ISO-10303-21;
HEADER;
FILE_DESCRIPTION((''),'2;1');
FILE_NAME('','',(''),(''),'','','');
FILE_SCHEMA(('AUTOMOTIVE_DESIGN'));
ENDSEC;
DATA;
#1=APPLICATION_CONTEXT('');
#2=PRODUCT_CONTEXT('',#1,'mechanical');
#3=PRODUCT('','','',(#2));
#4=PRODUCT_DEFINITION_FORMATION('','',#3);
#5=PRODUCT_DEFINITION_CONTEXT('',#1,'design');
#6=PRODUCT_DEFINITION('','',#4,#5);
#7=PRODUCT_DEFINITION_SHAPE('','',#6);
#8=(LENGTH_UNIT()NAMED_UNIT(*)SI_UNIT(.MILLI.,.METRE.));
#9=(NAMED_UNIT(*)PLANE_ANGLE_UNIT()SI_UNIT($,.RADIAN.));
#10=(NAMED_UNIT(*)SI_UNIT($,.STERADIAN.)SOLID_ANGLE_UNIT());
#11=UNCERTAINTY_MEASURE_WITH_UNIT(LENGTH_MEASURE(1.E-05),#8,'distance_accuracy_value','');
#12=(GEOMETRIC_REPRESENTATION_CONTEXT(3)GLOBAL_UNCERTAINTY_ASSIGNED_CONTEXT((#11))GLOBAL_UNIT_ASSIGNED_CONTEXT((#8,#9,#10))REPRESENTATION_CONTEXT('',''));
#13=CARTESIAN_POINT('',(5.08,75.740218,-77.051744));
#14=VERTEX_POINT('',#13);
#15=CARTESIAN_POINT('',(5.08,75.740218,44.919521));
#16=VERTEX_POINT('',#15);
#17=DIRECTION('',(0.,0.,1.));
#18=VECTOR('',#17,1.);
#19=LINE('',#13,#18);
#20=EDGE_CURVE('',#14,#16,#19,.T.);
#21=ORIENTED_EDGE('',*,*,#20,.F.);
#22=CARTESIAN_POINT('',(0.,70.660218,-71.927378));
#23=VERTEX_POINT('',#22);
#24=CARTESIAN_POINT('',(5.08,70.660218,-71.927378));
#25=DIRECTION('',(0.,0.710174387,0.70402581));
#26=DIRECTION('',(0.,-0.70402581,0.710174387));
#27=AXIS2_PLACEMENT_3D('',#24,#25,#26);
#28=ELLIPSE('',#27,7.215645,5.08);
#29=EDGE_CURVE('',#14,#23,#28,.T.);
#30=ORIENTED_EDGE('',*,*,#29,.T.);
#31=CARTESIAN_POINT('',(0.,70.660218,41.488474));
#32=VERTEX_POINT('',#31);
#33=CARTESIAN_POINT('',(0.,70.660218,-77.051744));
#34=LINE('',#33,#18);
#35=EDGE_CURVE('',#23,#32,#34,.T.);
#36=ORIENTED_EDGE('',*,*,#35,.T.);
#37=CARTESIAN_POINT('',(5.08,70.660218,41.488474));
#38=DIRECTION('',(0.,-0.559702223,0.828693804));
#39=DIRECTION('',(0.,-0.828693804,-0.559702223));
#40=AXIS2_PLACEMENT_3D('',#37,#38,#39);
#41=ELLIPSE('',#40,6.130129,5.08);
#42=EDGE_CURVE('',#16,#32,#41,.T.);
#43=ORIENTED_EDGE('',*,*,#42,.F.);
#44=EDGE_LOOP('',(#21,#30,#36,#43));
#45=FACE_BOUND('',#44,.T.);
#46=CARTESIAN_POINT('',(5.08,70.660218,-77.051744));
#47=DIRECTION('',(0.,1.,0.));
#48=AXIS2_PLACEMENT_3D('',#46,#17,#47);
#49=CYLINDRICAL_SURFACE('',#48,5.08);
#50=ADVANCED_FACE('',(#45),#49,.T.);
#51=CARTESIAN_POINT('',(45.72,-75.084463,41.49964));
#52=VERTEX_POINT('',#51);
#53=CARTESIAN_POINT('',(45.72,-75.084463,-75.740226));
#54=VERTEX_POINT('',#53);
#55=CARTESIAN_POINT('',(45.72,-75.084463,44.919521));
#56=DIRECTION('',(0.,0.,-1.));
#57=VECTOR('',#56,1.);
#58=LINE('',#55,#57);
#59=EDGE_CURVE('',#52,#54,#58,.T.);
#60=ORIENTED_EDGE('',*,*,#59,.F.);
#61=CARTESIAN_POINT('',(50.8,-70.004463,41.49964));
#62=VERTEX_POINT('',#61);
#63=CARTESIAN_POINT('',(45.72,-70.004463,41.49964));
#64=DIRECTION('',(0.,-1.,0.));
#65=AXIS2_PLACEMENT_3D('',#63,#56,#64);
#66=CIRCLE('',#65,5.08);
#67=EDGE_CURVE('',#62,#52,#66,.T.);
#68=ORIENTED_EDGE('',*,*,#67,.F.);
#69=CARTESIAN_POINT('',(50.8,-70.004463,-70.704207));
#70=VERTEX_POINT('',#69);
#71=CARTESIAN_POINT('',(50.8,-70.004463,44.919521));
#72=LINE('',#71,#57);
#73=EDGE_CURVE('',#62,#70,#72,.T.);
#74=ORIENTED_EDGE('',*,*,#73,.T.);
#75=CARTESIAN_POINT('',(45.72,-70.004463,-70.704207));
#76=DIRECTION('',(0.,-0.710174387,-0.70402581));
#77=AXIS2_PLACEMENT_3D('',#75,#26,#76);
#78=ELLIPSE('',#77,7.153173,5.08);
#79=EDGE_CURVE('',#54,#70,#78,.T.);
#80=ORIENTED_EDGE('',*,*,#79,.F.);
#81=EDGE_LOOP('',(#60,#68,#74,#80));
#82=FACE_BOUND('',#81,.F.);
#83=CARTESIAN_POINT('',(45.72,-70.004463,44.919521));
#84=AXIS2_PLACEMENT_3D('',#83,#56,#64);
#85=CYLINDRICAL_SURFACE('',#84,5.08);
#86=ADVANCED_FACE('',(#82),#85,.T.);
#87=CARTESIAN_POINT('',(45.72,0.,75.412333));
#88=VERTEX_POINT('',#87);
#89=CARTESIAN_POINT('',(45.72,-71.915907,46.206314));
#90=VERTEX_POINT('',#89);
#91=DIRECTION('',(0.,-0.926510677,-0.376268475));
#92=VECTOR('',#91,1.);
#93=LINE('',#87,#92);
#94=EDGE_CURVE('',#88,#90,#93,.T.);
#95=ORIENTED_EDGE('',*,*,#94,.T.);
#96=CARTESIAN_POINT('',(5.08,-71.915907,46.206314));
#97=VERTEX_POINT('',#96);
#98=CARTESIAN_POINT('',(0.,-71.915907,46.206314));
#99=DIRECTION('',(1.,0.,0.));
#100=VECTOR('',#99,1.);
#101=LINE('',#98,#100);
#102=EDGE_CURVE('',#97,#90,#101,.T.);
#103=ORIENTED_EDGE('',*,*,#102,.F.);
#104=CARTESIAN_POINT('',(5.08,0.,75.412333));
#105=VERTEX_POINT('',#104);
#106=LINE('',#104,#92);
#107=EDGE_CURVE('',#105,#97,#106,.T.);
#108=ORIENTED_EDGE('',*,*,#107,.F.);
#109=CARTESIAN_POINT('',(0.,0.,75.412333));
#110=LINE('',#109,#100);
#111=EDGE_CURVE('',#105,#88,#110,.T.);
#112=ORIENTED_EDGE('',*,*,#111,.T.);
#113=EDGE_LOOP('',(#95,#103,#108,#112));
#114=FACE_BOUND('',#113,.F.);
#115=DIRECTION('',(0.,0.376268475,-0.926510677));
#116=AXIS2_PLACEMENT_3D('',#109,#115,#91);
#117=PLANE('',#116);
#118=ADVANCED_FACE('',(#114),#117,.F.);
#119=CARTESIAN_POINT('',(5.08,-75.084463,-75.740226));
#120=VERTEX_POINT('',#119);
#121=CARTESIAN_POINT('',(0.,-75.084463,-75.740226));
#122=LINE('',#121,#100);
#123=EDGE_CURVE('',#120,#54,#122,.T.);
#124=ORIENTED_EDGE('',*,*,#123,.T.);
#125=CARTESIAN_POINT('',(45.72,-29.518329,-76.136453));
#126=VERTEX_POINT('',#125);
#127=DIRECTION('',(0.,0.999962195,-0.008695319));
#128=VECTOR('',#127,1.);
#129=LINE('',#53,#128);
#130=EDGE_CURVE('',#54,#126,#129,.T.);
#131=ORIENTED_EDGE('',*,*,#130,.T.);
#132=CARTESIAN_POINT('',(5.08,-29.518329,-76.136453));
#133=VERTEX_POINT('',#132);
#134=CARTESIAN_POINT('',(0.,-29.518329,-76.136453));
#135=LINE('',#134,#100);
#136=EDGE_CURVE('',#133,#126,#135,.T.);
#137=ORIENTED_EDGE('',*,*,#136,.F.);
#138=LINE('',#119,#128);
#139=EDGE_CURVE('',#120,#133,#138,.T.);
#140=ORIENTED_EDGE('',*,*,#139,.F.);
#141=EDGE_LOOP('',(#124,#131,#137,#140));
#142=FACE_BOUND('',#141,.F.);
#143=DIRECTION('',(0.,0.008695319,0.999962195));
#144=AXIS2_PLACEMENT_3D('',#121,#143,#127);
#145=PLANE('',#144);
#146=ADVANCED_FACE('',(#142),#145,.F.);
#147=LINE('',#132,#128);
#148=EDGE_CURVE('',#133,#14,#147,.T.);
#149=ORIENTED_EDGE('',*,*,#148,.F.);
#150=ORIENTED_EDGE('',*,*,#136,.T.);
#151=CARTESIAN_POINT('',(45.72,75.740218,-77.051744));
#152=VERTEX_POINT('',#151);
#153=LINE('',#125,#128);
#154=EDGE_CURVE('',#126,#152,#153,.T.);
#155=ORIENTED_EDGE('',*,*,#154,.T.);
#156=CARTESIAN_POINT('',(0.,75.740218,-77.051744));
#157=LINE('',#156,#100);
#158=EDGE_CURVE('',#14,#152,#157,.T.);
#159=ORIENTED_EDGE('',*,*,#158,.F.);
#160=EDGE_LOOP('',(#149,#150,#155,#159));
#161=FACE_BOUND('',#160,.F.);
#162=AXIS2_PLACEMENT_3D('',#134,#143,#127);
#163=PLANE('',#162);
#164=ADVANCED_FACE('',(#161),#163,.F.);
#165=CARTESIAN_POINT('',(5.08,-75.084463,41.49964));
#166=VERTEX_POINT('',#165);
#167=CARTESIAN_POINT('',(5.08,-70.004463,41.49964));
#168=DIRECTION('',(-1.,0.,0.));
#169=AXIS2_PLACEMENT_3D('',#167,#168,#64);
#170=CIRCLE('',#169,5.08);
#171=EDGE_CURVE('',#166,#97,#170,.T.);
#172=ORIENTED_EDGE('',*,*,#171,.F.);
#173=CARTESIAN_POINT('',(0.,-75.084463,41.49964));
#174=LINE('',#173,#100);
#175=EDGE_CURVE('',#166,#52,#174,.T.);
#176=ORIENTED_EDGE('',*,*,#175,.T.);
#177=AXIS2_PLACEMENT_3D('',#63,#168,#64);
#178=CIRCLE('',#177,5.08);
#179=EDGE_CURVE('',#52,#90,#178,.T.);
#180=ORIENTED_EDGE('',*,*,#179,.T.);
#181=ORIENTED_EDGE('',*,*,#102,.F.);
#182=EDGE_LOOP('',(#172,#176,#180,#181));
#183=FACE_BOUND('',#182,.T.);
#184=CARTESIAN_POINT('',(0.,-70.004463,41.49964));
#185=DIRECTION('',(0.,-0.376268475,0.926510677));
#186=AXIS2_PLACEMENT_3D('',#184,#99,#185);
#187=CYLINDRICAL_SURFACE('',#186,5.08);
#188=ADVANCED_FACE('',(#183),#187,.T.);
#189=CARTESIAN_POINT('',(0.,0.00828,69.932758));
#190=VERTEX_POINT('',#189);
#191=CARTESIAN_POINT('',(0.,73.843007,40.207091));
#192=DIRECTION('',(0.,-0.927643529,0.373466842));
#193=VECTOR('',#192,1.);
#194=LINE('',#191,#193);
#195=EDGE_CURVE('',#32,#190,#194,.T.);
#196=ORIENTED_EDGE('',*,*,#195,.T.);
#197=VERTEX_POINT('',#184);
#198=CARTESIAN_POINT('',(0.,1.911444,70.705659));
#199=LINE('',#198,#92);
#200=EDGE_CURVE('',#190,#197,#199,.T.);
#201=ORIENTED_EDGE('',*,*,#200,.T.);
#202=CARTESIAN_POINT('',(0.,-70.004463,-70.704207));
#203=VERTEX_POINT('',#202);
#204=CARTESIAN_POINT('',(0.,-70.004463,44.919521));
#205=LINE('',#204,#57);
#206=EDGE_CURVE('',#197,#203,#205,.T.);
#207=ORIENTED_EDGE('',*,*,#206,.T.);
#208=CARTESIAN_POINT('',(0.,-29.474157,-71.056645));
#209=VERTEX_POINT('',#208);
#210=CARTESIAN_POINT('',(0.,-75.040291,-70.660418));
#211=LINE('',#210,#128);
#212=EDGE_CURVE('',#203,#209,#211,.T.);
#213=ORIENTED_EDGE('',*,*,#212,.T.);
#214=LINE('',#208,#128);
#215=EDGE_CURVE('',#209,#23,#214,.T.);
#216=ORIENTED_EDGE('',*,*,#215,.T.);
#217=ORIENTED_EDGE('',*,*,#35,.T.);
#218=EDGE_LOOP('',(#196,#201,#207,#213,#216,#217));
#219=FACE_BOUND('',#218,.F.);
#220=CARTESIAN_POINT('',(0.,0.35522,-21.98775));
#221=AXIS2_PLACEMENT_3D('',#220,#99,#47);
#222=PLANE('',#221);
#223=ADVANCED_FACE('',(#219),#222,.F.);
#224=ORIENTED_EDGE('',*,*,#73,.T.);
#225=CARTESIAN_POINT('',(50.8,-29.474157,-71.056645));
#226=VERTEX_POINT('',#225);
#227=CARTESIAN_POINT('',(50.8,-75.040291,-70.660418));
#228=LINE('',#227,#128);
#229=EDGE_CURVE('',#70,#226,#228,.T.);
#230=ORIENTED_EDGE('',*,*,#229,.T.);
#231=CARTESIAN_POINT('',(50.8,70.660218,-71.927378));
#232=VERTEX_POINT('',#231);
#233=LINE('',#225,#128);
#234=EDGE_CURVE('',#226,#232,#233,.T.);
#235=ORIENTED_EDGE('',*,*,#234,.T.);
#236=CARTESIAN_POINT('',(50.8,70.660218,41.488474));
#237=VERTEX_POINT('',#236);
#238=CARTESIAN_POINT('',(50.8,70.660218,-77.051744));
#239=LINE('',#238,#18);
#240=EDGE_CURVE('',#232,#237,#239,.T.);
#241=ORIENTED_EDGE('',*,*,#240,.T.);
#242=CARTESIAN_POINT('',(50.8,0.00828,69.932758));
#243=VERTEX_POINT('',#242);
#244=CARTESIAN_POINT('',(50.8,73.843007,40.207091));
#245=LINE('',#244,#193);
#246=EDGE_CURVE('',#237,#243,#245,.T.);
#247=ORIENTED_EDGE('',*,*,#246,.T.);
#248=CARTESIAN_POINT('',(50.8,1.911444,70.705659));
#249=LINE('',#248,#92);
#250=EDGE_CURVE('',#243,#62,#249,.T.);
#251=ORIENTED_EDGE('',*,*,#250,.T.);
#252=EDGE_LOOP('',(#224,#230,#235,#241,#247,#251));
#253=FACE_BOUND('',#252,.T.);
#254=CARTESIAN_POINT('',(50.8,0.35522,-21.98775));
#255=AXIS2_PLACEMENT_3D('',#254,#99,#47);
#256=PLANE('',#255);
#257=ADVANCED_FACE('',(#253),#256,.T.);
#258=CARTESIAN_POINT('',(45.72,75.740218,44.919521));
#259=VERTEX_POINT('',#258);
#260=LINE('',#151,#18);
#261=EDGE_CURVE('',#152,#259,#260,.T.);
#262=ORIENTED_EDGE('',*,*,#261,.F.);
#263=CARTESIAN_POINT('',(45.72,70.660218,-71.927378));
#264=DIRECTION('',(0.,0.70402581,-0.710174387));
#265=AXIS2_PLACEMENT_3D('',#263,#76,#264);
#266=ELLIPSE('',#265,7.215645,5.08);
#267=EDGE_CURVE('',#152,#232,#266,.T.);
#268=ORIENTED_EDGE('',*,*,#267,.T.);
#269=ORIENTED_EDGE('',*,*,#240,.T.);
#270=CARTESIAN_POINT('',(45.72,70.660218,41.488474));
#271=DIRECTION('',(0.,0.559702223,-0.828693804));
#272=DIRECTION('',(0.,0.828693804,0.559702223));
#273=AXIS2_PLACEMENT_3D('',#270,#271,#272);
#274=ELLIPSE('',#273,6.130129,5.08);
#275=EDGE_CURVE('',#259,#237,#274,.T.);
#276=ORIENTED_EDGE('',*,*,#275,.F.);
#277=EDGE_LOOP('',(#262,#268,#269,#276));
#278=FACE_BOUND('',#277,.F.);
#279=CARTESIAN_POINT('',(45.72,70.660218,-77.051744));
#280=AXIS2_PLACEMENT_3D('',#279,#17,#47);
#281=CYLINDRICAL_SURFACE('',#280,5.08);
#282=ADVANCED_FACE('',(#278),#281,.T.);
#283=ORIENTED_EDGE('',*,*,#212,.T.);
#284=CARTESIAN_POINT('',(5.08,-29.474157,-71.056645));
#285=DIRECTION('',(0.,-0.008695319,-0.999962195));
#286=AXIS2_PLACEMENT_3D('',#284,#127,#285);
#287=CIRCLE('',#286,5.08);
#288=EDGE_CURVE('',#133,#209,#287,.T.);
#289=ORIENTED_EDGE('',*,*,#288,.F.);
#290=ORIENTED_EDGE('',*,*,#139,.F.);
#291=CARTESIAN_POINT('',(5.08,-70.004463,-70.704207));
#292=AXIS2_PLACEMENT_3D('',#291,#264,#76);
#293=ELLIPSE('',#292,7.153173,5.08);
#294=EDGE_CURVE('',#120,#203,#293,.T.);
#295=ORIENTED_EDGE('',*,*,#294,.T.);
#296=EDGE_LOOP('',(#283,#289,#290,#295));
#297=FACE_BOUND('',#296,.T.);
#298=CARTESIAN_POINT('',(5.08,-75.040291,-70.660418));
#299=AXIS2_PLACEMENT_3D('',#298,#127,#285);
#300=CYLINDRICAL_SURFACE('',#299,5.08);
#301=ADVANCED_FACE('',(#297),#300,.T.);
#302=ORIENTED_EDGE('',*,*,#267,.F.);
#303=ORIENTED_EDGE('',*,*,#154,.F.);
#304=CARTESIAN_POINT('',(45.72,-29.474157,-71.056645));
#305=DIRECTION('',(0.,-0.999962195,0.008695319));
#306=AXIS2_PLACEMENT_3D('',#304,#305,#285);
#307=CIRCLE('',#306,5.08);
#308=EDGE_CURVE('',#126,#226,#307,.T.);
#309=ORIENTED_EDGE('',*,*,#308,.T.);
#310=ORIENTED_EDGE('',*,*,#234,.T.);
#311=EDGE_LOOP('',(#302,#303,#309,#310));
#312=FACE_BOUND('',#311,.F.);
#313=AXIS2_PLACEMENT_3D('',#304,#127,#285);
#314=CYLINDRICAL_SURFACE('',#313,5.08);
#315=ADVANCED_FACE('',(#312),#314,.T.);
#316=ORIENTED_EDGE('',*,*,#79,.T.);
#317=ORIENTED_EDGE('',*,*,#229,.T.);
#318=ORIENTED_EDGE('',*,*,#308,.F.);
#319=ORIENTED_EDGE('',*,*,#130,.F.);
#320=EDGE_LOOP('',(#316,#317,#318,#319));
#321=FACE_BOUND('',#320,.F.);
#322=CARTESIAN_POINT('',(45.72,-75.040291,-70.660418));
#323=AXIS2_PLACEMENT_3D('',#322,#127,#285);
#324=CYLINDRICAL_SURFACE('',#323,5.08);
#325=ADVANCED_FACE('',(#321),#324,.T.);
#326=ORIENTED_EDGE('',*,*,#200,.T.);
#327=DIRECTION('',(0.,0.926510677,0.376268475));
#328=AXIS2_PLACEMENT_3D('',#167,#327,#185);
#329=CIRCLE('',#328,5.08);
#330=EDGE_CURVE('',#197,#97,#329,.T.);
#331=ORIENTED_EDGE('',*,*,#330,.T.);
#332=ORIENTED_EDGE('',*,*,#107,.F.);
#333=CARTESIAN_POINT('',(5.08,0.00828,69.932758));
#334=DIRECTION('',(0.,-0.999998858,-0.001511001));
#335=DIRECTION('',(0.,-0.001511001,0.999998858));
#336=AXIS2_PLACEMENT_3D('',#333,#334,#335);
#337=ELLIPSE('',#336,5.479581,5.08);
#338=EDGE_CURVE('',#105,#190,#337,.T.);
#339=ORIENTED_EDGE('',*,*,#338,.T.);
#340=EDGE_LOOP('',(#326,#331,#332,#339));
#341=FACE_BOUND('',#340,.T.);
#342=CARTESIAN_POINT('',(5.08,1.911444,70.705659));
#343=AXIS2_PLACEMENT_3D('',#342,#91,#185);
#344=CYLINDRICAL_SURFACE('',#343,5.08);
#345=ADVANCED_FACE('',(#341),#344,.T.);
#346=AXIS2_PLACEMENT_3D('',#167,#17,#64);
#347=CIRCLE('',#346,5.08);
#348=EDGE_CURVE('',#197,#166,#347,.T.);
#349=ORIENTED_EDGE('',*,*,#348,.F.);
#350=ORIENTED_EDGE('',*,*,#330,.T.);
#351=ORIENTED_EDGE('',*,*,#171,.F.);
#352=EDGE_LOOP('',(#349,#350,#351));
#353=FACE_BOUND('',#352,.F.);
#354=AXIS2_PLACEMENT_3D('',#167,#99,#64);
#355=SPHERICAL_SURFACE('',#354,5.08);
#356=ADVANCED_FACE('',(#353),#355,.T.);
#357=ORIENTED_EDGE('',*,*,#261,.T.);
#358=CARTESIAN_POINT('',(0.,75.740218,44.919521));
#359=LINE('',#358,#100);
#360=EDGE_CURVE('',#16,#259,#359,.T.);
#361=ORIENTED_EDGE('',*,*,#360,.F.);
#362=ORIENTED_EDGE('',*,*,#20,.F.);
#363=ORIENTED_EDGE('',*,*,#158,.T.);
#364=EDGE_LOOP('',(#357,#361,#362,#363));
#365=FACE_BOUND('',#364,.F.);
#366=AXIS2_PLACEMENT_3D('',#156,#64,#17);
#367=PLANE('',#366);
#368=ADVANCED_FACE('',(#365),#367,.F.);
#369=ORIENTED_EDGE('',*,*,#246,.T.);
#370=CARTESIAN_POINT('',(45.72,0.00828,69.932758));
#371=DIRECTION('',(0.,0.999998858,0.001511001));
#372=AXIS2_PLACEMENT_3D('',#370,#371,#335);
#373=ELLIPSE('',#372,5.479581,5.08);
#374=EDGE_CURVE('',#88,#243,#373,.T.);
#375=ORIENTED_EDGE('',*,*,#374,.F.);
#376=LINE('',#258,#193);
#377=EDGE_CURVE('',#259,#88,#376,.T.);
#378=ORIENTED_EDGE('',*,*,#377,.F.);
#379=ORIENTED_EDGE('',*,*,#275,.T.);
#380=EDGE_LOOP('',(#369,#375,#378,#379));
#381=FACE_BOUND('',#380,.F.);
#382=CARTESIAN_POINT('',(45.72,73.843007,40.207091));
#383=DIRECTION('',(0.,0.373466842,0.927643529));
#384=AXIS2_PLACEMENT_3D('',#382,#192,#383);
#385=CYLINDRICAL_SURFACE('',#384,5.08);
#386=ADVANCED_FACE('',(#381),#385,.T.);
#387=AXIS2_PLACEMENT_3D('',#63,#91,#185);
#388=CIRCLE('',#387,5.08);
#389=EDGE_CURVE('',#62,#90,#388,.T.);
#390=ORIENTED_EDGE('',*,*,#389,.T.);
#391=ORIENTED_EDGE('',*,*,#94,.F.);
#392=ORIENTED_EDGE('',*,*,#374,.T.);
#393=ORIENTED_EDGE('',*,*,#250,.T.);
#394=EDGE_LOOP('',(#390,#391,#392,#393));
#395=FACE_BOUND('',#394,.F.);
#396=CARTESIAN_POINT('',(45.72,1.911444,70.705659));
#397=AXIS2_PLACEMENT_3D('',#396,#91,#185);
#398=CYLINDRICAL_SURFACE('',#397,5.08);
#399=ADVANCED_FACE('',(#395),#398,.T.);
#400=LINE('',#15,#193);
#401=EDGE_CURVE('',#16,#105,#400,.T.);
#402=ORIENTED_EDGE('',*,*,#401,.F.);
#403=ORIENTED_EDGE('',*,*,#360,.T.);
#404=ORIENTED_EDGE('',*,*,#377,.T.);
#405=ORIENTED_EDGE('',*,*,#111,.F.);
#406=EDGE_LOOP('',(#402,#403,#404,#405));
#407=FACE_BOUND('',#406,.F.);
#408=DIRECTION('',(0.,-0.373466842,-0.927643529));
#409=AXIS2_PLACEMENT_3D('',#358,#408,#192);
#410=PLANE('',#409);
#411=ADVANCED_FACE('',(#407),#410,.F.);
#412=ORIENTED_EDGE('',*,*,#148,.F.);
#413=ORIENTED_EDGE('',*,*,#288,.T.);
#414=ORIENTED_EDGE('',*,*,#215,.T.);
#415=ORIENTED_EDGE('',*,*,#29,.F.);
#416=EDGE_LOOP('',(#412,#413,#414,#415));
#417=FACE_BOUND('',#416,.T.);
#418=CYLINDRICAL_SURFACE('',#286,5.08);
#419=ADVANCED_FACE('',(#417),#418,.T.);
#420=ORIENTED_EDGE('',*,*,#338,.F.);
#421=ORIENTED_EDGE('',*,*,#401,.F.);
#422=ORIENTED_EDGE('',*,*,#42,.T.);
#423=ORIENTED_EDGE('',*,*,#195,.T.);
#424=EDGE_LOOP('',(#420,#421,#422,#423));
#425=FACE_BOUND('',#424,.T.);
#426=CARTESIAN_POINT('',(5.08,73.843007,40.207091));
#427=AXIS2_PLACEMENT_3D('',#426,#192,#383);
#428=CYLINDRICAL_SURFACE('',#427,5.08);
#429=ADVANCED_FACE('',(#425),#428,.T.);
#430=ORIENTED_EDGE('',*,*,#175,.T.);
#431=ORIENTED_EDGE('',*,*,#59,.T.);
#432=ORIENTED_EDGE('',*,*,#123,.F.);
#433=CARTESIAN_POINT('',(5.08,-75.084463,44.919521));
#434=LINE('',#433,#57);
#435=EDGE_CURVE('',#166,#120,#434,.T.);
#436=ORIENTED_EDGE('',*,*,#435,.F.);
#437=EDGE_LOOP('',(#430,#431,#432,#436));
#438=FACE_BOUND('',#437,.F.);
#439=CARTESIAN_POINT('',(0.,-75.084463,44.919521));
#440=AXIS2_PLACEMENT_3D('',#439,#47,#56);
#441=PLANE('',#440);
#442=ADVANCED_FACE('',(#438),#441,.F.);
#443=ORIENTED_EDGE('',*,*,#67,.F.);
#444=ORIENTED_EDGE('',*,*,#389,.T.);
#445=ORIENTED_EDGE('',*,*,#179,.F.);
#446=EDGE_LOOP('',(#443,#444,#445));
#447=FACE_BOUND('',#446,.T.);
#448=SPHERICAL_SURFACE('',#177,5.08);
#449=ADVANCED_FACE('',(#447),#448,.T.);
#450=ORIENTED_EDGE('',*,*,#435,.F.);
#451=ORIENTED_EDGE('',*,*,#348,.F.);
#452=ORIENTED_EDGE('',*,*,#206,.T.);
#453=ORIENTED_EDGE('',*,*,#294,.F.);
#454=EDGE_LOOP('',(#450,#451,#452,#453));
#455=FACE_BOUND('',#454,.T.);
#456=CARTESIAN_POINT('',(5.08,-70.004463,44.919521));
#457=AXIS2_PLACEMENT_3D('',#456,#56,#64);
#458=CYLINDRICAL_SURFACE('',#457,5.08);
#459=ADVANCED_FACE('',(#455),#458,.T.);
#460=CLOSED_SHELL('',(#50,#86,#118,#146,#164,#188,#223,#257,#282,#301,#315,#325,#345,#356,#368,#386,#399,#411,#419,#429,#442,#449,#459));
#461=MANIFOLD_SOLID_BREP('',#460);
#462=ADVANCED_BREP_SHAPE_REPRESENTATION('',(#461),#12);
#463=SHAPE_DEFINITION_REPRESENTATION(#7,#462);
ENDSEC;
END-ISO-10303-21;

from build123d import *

# Parameters (mm, degrees)
F0_W     = 13.1108500377
F0_H     = 9.5085129142
F1_DEPTH = 50.8
F2_R     = 5.08


with BuildPart() as f1:
    # F0 (on Right) → F1 (new body)
    with BuildSketch(Plane.YZ):
        Polygon((-75.0844627619, 8.5248695686), (-75.0844627619, -75.7402256131), (-29.5183288899, -76.1364526489), (75.7402181625, -77.051743865), (75.7402181625, 8.5248695686), (51.8028265953, 8.5248695686), (27.8654350281, 8.5248695686), (27.8654350281, 26.7221950926), (27.8654350281, 44.9195206165), (-29.5183288899, 44.9195206165), (-29.5183288899, 37.7061665058), (-29.5183288899, 27.2140149027), (-29.5183288899, 8.5248695686), (-52.3013958259, 8.5248695686), align=None)
        Polygon((0, -33.7004187564), (-29.5183288899, -33.4437377751), (-29.5183288899, -16.7218707502), (-29.5183288899, 0), (0, -0.2566809813), (27.8654350281, -0.4989889803), (27.8654350281, -17.2208597305), (27.8654350281, -33.9427267554), align=None, mode=Mode.SUBTRACT)
        with Locations((21.3100100093, -51.3131842017)):
            Rectangle(F0_W, F0_H, mode=Mode.SUBTRACT)
        Polygon((0, 75.4123330116), (-75.0844627619, 44.9195206165), (-54.7559186816, 44.9195206165), (-29.5183288899, 44.9195206165), (27.8654350281, 44.9195206165), (51.149237901, 44.9195206165), (75.7402181625, 44.9195206165), align=None)
        Polygon((-29.5183288899, -16.7218707502), (-29.5183288899, -33.4437377751), (0, -33.7004187564), (0, -16.9785517315), align=None)
        Polygon((-29.5183288899, 0), (-29.5183288899, -16.7218707502), (0, -16.9785517315), (0, -0.2566809813), align=None)
        Polygon((-53.5618264951, 27.2140149027), (-52.3013958259, 8.5248695686), (-29.5183288899, 8.5248695686), (-29.5183288899, 27.2140149027), align=None)
        Polygon((-54.7559186816, 44.9195206165), (-53.5618264951, 27.2140149027), (-29.5183288899, 27.2140149027), (-29.5183288899, 37.7061665058), (-29.5183288899, 44.9195206165), align=None)
        Polygon((-75.0844627619, 44.9195206165), (-75.0844627619, 27.2140149027), (-53.5618264951, 27.2140149027), (-54.7559186816, 44.9195206165), align=None)
        Polygon((-75.0844627619, 27.2140149027), (-75.0844627619, 8.5248695686), (-52.3013958259, 8.5248695686), (-53.5618264951, 27.2140149027), align=None)
        Polygon((27.8654350281, 8.5248695686), (51.8028265953, 8.5248695686), (51.4760322481, 26.7221950926), (27.8654350281, 26.7221950926), align=None)
        Polygon((27.8654350281, 26.7221950926), (51.4760322481, 26.7221950926), (51.149237901, 44.9195206165), (27.8654350281, 44.9195206165), align=None)
        Polygon((51.4760322481, 26.7221950926), (75.7402181625, 26.7221950926), (75.7402181625, 44.9195206165), (51.149237901, 44.9195206165), align=None)
        Polygon((51.8028265953, 8.5248695686), (75.7402181625, 8.5248695686), (75.7402181625, 26.7221950926), (51.4760322481, 26.7221950926), align=None)
        Polygon((0, -0.2566809813), (0, -16.9785517315), (27.8654350281, -17.2208597305), (27.8654350281, -0.4989889803), align=None)
        Polygon((0, -16.9785517315), (0, -33.7004187564), (27.8654350281, -33.9427267554), (27.8654350281, -17.2208597305), align=None)
        with Locations((21.3100100093, -51.3131842017)):
            Rectangle(F0_W, F0_H)
    extrude(amount=F1_DEPTH)

    # F2
    f2_edges = [f1.edges().sort_by_distance(p)[0] for p in [
        (0, 37.870109, 60.165927),
        (0, 75.740218, -16.066112),
        (0, -75.084463, -15.410352),
        (0, -37.542231, 60.165927),
        (25.4, -75.084463, 44.919521),
        (50.8, -75.084463, -15.410352),
        (0, 0.327878, -76.395985),
        (50.8, 0.327878, -76.395985),
        (50.8, 75.740218, -16.066112),
        (50.8, 37.870109, 60.165927),
        (50.8, -37.542231, 60.165927),
    ]]
    fillet(f2_edges, radius=F2_R)


solid = f1.part
